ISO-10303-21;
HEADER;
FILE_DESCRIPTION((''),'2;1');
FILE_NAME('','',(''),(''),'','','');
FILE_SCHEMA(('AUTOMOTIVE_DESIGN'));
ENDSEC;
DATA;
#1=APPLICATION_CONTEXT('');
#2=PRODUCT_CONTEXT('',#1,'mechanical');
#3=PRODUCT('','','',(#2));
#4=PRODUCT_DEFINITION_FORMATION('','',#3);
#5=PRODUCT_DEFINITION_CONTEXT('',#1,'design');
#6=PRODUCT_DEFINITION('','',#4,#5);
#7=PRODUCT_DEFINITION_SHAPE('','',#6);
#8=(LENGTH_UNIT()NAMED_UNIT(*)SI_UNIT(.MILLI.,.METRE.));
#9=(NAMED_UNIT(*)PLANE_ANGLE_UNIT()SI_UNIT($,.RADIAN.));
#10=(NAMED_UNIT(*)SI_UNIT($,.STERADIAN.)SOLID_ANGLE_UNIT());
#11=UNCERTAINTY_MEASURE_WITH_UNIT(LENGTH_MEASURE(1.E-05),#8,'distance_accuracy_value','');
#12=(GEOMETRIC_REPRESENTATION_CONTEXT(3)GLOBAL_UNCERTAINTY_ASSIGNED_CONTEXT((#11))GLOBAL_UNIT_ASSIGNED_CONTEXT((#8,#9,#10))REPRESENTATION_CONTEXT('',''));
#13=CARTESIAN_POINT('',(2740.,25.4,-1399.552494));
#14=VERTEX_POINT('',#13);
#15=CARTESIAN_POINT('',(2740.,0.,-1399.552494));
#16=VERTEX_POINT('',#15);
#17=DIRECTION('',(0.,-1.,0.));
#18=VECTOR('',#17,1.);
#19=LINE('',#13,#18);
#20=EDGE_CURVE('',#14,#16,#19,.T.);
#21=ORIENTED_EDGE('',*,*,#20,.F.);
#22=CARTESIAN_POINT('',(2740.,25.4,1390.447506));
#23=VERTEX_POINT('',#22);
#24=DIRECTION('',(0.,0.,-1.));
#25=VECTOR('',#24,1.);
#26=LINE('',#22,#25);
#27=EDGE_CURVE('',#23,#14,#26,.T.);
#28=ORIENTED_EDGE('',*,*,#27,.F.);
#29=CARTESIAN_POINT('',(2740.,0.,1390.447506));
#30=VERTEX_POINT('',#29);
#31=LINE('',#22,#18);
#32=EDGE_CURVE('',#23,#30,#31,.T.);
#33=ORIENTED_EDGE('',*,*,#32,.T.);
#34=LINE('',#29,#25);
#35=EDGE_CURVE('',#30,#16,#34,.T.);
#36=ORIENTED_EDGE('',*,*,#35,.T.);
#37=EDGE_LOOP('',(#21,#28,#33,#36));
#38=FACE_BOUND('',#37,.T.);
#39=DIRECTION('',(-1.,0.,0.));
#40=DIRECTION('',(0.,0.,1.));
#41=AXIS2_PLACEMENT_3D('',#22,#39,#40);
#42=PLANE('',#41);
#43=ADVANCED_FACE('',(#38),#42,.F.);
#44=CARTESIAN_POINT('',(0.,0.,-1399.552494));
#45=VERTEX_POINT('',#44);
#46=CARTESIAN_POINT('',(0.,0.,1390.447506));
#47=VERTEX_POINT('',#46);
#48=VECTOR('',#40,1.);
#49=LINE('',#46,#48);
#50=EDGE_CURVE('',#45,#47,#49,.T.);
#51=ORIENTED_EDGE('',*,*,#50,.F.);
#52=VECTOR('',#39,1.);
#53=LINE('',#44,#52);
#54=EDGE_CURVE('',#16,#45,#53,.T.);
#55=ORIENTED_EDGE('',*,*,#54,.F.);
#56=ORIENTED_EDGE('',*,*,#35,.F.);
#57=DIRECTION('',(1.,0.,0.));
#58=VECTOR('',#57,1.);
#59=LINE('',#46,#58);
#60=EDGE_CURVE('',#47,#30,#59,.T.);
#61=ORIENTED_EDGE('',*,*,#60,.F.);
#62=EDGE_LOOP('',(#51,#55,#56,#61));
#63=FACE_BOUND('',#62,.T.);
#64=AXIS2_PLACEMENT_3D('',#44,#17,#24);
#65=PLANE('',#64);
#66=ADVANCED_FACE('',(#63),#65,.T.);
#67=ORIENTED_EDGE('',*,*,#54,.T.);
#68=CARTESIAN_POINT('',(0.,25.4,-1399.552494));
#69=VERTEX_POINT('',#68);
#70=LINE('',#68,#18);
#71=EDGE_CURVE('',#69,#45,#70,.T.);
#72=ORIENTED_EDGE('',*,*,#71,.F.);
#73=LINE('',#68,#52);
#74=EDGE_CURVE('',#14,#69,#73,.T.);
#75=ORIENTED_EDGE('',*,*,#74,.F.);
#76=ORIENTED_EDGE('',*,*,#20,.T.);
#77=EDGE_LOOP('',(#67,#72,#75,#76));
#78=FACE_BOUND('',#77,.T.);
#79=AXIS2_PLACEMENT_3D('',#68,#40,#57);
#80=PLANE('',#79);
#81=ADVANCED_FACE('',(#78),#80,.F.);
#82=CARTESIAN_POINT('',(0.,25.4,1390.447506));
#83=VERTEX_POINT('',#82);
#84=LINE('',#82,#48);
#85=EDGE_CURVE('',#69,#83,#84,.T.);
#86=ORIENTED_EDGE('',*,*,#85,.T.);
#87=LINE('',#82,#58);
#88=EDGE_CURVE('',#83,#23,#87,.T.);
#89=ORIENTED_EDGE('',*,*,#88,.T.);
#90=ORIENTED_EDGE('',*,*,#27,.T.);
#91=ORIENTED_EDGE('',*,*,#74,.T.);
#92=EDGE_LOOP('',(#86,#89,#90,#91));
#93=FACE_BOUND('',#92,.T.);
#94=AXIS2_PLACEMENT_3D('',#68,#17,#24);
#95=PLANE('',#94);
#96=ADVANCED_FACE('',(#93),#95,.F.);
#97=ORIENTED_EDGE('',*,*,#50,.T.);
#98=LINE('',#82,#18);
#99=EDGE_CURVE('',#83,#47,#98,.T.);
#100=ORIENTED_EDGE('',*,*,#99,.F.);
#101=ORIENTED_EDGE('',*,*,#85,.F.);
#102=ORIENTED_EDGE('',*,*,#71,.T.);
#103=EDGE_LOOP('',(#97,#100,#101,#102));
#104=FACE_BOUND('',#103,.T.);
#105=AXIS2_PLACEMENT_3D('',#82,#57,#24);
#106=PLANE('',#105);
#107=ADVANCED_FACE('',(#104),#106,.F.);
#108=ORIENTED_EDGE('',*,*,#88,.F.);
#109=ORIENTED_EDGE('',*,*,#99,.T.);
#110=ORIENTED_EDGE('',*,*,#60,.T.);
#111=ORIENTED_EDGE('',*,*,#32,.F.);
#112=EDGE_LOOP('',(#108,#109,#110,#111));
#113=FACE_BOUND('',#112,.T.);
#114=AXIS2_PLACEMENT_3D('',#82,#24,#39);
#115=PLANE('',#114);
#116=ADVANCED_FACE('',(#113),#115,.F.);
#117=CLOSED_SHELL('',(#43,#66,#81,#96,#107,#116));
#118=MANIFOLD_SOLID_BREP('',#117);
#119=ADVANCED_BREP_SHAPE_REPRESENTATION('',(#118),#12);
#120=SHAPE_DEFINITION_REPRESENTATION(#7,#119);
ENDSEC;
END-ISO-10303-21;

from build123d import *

# Parameters (mm, degrees)
SKETCH1_W      = 2740
SKETCH1_H      = 2790
EXTRUDE1_DEPTH = 25.4


with BuildPart() as part:
    # Sketch1 → Extrude1 (new body)
    with BuildSketch(Plane(origin=(0, 0, 0), x_dir=(1, 0, 0), z_dir=(0, 1, 0))):
        with Locations((1370, 4.55249367)):
            Rectangle(SKETCH1_W, SKETCH1_H)
    extrude(amount=EXTRUDE1_DEPTH)


solid = part.part
